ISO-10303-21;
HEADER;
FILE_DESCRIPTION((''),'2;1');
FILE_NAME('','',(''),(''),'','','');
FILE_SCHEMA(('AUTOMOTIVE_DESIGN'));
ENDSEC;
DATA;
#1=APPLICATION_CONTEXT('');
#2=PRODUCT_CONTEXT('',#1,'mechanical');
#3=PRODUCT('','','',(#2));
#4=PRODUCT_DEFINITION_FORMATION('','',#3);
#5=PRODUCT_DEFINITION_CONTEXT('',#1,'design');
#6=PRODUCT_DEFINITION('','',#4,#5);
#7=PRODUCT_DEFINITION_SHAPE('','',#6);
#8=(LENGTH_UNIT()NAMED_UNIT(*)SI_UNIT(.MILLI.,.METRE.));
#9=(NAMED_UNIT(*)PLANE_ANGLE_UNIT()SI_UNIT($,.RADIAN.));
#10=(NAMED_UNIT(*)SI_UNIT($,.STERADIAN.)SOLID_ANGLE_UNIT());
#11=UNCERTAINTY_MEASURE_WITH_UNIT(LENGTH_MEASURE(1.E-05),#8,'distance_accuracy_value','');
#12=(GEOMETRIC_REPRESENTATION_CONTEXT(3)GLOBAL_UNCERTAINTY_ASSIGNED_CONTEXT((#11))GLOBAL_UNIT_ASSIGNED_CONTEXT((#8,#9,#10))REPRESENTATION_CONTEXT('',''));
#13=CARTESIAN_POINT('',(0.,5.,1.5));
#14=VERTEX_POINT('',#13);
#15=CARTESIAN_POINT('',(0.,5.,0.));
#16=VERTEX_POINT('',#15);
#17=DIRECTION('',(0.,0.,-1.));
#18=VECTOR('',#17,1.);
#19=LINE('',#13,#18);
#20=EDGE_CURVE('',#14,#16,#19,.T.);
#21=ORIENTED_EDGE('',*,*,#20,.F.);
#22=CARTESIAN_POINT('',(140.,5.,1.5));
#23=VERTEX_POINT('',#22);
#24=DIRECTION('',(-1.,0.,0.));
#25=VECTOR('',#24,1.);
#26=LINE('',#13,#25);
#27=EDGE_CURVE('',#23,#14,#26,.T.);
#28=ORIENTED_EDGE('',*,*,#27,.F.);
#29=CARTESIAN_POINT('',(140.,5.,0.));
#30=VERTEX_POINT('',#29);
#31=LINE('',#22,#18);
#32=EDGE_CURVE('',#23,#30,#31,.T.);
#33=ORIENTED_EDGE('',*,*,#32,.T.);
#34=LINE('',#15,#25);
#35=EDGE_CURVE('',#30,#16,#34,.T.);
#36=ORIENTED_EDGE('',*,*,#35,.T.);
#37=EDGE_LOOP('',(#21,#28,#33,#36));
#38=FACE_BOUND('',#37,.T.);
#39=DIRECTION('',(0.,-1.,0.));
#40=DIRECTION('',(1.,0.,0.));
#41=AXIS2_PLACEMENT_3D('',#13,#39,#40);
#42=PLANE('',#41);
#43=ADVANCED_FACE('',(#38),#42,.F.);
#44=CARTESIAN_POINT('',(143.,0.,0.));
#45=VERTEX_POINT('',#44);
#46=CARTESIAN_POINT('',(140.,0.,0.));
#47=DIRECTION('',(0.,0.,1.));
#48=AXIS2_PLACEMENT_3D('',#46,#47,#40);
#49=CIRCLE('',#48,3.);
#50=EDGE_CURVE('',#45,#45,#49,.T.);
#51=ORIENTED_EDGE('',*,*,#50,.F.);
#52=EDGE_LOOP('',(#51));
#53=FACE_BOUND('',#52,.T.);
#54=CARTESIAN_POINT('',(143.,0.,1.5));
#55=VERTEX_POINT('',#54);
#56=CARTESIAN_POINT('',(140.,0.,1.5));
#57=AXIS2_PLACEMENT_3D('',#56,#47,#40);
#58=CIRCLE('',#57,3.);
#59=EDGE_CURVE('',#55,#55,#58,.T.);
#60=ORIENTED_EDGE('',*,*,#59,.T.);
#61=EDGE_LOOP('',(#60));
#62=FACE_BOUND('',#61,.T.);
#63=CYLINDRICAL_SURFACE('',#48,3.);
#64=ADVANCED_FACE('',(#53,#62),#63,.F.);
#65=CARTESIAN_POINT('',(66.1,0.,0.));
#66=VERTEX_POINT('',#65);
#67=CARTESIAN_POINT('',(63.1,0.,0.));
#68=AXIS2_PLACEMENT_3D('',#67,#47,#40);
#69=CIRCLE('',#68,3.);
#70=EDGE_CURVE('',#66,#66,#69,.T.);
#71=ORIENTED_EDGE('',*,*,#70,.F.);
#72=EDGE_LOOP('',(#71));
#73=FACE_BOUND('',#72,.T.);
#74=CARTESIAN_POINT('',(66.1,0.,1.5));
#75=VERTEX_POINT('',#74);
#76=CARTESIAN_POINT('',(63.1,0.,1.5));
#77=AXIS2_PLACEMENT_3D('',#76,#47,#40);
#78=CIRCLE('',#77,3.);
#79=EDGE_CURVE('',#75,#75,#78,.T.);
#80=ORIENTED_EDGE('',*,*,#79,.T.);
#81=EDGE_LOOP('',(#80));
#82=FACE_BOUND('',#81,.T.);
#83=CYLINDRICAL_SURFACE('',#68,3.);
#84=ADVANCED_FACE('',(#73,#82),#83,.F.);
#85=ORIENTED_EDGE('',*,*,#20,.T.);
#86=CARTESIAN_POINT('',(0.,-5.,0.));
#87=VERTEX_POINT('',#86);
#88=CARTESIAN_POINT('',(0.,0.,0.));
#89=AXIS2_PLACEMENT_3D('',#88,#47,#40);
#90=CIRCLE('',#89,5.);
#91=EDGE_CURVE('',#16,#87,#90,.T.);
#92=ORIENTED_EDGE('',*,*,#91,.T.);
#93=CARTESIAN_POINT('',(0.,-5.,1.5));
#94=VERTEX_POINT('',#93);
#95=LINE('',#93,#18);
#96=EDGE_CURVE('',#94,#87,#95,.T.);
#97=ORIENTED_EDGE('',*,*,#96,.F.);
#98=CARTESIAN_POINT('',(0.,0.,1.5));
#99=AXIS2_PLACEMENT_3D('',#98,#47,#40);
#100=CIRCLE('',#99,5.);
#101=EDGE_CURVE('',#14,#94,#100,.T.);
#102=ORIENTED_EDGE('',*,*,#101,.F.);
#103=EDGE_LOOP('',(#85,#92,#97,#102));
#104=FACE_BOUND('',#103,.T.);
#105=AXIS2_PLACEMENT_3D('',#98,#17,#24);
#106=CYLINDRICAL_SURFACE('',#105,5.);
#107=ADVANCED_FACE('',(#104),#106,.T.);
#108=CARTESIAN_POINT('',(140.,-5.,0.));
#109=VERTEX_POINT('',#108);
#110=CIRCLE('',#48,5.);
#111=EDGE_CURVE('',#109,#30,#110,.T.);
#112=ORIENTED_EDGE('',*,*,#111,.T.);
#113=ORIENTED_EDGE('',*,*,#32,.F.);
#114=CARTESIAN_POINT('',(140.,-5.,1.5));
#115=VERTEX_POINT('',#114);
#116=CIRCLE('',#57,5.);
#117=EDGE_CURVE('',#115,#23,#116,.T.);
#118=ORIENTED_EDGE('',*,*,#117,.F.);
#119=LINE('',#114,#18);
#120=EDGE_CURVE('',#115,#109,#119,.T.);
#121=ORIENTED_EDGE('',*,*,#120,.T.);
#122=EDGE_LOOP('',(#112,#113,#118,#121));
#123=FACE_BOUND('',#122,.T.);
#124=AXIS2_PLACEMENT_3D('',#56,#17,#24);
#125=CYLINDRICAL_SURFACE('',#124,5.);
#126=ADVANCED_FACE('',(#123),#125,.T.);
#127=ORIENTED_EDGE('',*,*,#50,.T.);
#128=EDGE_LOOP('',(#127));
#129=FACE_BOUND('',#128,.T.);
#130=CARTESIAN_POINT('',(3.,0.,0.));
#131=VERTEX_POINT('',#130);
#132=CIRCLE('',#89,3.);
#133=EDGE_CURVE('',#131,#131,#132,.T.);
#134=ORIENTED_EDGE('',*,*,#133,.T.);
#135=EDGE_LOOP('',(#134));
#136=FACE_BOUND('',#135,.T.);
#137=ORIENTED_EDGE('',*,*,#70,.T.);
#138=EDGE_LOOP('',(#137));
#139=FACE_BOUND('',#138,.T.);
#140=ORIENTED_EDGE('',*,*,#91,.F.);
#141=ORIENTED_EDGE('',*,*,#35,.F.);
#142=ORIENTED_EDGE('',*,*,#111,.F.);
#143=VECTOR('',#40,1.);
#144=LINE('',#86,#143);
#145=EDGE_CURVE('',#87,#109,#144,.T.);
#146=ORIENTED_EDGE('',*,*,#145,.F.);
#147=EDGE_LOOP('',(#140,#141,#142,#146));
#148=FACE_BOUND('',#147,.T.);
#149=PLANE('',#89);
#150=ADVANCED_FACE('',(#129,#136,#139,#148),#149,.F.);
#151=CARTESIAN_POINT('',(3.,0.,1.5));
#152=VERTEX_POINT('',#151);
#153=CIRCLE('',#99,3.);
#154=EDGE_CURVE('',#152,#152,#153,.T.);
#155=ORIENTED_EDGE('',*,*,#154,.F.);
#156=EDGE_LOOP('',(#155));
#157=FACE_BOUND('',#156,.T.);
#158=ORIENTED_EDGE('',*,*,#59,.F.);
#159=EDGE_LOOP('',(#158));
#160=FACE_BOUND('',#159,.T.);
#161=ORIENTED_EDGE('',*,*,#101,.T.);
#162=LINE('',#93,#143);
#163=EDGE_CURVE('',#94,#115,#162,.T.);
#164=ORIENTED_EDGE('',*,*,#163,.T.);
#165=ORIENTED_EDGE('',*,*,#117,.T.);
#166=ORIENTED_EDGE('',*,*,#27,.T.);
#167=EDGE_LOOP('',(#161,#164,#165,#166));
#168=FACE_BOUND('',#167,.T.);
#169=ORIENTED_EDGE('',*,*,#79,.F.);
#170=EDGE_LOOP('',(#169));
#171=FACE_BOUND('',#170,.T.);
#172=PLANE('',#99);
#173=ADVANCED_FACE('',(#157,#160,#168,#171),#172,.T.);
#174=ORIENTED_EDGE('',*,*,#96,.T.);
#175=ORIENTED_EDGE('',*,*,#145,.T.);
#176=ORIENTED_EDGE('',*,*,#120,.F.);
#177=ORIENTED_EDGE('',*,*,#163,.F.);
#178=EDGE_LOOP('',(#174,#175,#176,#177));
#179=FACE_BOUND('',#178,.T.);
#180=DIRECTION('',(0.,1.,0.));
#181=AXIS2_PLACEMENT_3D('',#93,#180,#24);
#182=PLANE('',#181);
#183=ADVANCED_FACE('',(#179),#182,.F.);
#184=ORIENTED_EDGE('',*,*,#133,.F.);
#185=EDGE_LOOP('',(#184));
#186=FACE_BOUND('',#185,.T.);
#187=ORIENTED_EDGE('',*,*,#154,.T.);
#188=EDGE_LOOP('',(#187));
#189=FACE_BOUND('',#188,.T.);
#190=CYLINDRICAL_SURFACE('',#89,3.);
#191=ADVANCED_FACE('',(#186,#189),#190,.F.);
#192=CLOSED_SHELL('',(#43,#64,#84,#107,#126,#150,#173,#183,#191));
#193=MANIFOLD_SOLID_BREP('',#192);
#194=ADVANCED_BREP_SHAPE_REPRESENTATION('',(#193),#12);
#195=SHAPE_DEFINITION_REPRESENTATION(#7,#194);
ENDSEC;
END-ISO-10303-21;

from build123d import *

# Parameters (mm, degrees)
BOSS_EXTRUDE1_DEPTH = 1.5
SKETCH2_R           = 3
CUT_EXTRUDE1_DEPTH  = 146.09393509


with BuildPart() as part:
    # Sketch1 → Boss-Extrude1 (new body)
    with BuildSketch(Plane.XY):
        with BuildLine():
            Line((0, 5), (140, 5))
            ThreePointArc((140, 5), (145, 0), (140, -5))
            Line((140, -5), (0, -5))
            ThreePointArc((0, -5), (-5, 0), (0, 5))
        make_face()
    extrude(amount=BOSS_EXTRUDE1_DEPTH)

    # Sketch2 → Cut-Extrude1 (cut, through all)
    with BuildSketch(Plane.XY.offset(1.5)):
        Circle(SKETCH2_R)
        with Locations((140, 0)):
            Circle(SKETCH2_R)
        with Locations((63.1, 0)):
            Circle(SKETCH2_R)
    extrude(amount=-CUT_EXTRUDE1_DEPTH, mode=Mode.SUBTRACT)


solid = part.part
